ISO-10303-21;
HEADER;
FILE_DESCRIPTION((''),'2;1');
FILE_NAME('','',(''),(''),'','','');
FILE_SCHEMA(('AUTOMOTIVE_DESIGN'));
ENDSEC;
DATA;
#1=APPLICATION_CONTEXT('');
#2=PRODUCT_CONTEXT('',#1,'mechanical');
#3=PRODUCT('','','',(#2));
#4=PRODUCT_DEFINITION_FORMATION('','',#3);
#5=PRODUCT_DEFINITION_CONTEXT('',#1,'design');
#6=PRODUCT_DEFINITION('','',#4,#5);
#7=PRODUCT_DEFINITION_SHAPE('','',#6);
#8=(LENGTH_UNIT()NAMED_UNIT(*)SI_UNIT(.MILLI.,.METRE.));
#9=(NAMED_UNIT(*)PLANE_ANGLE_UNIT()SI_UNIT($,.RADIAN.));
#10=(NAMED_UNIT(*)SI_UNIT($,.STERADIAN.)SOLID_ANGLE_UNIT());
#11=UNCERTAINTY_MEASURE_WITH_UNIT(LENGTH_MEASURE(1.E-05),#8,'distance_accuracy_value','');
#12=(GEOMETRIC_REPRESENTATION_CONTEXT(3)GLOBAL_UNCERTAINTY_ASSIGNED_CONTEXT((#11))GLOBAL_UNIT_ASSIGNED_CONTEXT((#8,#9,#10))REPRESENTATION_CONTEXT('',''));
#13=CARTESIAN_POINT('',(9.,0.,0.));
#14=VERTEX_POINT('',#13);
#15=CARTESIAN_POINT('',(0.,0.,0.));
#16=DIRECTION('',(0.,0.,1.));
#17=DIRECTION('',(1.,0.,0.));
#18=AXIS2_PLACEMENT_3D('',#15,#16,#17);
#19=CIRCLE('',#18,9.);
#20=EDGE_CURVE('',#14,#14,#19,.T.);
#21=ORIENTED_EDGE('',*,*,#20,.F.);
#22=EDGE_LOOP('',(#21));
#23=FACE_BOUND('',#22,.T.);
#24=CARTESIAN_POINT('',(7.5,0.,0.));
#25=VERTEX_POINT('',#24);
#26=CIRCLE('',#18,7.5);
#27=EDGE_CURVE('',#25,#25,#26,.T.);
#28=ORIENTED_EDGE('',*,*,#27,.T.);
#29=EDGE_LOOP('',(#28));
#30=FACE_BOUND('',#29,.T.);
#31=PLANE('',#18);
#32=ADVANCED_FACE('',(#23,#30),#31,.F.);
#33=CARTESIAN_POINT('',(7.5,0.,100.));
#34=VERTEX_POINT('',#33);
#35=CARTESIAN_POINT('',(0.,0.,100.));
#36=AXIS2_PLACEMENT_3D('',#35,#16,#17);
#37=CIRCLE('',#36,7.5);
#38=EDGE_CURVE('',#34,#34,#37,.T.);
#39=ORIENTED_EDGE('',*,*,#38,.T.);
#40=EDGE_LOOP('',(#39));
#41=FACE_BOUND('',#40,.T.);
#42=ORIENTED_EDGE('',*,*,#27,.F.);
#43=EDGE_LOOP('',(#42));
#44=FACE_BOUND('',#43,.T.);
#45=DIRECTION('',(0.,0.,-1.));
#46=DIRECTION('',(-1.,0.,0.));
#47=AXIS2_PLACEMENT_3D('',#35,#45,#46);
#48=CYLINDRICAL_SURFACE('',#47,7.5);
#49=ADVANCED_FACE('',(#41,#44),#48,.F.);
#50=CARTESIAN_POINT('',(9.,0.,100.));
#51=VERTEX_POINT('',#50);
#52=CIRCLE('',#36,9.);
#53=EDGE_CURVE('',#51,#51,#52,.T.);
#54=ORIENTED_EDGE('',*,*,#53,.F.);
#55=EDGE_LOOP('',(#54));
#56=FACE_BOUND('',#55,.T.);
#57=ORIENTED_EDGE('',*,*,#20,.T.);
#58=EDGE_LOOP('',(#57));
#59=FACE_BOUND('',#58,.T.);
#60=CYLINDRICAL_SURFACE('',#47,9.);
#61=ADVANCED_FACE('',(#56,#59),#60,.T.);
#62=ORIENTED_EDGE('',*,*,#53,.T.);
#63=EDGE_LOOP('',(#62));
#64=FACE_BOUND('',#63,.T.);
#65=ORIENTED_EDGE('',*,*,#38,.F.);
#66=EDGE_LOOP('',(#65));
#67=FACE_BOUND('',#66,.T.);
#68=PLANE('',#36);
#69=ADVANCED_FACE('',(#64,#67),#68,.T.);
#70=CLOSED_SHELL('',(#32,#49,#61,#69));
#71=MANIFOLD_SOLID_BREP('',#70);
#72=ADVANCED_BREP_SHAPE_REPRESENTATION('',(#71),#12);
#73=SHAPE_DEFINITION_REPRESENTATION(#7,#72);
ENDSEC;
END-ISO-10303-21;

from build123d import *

# Parameters (mm, degrees)
SKETCH_1_R      = 9
SKETCH_1_R_2    = 7.5
EXTRUDE_1_DEPTH = 100


with BuildPart() as part:
    # 草图1 → 凸台-拉伸1 (new body)
    with BuildSketch(Plane.XY):
        Circle(SKETCH_1_R)
        Circle(SKETCH_1_R_2, mode=Mode.SUBTRACT)
    extrude(amount=EXTRUDE_1_DEPTH)


solid = part.part
